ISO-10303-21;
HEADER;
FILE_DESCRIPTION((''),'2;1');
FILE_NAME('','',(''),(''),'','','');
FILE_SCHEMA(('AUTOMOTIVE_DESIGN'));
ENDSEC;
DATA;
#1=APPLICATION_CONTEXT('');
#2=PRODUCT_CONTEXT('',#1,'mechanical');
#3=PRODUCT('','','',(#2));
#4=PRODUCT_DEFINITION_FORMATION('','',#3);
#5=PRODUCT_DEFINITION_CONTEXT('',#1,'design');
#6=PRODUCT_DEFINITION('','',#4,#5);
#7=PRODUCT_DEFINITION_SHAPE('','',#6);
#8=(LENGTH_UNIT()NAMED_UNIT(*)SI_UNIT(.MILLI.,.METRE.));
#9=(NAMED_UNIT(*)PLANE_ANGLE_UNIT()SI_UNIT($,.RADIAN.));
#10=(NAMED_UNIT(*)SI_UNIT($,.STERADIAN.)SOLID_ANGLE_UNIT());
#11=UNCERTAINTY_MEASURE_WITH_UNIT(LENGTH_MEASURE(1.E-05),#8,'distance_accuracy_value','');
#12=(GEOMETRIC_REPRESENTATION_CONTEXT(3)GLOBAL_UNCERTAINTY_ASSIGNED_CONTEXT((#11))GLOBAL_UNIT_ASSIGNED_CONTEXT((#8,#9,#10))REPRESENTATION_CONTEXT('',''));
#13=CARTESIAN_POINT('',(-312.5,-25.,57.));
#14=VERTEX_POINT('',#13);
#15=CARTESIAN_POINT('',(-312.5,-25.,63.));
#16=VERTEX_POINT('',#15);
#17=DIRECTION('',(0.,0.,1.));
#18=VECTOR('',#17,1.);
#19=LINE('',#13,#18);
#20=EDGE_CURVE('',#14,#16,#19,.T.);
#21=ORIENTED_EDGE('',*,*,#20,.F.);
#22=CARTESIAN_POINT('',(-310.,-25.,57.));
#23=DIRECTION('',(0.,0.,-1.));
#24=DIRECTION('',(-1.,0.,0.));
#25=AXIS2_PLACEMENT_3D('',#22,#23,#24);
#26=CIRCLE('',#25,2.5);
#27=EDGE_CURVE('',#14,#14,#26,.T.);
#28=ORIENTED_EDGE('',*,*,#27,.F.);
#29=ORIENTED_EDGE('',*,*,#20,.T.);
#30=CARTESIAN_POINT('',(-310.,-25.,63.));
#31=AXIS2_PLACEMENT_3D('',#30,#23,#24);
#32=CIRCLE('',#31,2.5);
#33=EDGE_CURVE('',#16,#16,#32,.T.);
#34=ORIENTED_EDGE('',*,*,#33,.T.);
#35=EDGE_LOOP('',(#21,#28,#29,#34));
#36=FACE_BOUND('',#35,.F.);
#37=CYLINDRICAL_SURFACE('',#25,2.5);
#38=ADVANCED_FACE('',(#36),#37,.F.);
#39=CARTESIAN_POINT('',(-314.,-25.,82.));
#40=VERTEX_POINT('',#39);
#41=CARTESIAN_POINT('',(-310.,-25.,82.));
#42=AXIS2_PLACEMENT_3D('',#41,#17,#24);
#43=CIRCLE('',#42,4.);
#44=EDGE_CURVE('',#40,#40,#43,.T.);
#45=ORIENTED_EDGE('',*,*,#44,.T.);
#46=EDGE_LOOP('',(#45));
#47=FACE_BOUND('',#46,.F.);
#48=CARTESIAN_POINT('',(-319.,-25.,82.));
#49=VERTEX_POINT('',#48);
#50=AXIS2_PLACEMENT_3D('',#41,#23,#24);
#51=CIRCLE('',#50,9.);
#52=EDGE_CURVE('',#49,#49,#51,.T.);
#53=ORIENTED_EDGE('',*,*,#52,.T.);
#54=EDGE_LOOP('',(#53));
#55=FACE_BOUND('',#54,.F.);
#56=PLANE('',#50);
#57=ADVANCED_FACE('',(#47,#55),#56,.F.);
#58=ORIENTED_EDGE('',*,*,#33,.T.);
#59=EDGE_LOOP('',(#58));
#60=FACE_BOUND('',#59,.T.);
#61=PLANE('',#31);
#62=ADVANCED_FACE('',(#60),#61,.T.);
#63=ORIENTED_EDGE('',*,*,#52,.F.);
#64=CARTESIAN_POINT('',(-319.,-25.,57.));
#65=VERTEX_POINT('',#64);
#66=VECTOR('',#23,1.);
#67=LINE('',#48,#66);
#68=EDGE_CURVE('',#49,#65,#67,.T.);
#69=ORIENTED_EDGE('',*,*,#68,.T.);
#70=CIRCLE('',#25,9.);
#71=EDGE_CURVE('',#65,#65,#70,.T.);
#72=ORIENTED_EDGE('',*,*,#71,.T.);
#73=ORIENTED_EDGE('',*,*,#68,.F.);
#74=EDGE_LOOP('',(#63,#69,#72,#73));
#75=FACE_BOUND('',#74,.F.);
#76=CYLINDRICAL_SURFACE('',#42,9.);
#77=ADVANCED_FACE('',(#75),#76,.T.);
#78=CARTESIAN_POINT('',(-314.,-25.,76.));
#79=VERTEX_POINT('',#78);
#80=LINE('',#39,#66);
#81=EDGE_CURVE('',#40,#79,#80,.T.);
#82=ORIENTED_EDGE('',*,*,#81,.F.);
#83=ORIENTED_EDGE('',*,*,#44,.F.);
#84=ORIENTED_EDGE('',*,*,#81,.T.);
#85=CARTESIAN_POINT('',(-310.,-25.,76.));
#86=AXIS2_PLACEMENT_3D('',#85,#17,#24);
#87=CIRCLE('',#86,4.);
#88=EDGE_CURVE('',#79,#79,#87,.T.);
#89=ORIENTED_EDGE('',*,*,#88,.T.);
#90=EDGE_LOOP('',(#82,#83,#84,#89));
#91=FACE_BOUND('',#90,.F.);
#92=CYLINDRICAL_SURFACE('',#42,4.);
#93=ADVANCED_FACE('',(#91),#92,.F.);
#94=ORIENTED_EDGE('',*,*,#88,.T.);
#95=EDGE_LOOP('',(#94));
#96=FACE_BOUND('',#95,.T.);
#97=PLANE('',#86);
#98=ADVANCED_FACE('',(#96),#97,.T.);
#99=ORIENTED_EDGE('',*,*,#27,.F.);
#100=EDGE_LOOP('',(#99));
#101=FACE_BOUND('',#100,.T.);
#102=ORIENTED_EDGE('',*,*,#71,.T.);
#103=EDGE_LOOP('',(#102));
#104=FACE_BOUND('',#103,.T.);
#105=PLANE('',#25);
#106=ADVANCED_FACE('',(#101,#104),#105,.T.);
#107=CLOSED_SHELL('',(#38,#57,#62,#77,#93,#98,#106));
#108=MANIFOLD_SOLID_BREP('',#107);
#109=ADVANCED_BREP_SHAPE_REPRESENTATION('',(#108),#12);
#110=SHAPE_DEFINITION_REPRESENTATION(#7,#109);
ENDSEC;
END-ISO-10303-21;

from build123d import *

# Parameters (mm, degrees)
SKETCH045_R              = 9
PAD027_DEPTH             = 25
SKETCH046_R              = 2.5
POCKET021_DEPTH          = 6
SKETCH047_R              = 4
POCKET022_DEPTH          = 6
CLONE040_PLACEMENT_ANGLE = 180


with BuildPart() as part:
    # Sketch045 → Pad027 (new body)
    with BuildSketch(Plane.XY):
        Circle(SKETCH045_R)
    extrude(amount=PAD027_DEPTH)

    # Sketch046 (on Face3 of Pad027) → Pocket021 (cut)
    with BuildSketch(Plane.XY.offset(25)):
        Circle(SKETCH046_R)
    extrude(amount=-POCKET021_DEPTH, mode=Mode.SUBTRACT)

    # Sketch047 (on Face2 of Pocket021) → Pocket022 (cut)
    with BuildSketch(Plane(origin=(0, 0, 0), x_dir=(1, 0, 0), z_dir=(0, 0, -1))):
        Circle(SKETCH047_R)
    extrude(amount=-POCKET022_DEPTH, mode=Mode.SUBTRACT)


with BuildPart() as part_1:
    # Clone040 placement: moved
    add(part.part.moved(Location((-310, -25, 82))).rotate(Axis((-310, -25, 82), (0, 1, 0)), CLONE040_PLACEMENT_ANGLE))


solid = part_1.part
